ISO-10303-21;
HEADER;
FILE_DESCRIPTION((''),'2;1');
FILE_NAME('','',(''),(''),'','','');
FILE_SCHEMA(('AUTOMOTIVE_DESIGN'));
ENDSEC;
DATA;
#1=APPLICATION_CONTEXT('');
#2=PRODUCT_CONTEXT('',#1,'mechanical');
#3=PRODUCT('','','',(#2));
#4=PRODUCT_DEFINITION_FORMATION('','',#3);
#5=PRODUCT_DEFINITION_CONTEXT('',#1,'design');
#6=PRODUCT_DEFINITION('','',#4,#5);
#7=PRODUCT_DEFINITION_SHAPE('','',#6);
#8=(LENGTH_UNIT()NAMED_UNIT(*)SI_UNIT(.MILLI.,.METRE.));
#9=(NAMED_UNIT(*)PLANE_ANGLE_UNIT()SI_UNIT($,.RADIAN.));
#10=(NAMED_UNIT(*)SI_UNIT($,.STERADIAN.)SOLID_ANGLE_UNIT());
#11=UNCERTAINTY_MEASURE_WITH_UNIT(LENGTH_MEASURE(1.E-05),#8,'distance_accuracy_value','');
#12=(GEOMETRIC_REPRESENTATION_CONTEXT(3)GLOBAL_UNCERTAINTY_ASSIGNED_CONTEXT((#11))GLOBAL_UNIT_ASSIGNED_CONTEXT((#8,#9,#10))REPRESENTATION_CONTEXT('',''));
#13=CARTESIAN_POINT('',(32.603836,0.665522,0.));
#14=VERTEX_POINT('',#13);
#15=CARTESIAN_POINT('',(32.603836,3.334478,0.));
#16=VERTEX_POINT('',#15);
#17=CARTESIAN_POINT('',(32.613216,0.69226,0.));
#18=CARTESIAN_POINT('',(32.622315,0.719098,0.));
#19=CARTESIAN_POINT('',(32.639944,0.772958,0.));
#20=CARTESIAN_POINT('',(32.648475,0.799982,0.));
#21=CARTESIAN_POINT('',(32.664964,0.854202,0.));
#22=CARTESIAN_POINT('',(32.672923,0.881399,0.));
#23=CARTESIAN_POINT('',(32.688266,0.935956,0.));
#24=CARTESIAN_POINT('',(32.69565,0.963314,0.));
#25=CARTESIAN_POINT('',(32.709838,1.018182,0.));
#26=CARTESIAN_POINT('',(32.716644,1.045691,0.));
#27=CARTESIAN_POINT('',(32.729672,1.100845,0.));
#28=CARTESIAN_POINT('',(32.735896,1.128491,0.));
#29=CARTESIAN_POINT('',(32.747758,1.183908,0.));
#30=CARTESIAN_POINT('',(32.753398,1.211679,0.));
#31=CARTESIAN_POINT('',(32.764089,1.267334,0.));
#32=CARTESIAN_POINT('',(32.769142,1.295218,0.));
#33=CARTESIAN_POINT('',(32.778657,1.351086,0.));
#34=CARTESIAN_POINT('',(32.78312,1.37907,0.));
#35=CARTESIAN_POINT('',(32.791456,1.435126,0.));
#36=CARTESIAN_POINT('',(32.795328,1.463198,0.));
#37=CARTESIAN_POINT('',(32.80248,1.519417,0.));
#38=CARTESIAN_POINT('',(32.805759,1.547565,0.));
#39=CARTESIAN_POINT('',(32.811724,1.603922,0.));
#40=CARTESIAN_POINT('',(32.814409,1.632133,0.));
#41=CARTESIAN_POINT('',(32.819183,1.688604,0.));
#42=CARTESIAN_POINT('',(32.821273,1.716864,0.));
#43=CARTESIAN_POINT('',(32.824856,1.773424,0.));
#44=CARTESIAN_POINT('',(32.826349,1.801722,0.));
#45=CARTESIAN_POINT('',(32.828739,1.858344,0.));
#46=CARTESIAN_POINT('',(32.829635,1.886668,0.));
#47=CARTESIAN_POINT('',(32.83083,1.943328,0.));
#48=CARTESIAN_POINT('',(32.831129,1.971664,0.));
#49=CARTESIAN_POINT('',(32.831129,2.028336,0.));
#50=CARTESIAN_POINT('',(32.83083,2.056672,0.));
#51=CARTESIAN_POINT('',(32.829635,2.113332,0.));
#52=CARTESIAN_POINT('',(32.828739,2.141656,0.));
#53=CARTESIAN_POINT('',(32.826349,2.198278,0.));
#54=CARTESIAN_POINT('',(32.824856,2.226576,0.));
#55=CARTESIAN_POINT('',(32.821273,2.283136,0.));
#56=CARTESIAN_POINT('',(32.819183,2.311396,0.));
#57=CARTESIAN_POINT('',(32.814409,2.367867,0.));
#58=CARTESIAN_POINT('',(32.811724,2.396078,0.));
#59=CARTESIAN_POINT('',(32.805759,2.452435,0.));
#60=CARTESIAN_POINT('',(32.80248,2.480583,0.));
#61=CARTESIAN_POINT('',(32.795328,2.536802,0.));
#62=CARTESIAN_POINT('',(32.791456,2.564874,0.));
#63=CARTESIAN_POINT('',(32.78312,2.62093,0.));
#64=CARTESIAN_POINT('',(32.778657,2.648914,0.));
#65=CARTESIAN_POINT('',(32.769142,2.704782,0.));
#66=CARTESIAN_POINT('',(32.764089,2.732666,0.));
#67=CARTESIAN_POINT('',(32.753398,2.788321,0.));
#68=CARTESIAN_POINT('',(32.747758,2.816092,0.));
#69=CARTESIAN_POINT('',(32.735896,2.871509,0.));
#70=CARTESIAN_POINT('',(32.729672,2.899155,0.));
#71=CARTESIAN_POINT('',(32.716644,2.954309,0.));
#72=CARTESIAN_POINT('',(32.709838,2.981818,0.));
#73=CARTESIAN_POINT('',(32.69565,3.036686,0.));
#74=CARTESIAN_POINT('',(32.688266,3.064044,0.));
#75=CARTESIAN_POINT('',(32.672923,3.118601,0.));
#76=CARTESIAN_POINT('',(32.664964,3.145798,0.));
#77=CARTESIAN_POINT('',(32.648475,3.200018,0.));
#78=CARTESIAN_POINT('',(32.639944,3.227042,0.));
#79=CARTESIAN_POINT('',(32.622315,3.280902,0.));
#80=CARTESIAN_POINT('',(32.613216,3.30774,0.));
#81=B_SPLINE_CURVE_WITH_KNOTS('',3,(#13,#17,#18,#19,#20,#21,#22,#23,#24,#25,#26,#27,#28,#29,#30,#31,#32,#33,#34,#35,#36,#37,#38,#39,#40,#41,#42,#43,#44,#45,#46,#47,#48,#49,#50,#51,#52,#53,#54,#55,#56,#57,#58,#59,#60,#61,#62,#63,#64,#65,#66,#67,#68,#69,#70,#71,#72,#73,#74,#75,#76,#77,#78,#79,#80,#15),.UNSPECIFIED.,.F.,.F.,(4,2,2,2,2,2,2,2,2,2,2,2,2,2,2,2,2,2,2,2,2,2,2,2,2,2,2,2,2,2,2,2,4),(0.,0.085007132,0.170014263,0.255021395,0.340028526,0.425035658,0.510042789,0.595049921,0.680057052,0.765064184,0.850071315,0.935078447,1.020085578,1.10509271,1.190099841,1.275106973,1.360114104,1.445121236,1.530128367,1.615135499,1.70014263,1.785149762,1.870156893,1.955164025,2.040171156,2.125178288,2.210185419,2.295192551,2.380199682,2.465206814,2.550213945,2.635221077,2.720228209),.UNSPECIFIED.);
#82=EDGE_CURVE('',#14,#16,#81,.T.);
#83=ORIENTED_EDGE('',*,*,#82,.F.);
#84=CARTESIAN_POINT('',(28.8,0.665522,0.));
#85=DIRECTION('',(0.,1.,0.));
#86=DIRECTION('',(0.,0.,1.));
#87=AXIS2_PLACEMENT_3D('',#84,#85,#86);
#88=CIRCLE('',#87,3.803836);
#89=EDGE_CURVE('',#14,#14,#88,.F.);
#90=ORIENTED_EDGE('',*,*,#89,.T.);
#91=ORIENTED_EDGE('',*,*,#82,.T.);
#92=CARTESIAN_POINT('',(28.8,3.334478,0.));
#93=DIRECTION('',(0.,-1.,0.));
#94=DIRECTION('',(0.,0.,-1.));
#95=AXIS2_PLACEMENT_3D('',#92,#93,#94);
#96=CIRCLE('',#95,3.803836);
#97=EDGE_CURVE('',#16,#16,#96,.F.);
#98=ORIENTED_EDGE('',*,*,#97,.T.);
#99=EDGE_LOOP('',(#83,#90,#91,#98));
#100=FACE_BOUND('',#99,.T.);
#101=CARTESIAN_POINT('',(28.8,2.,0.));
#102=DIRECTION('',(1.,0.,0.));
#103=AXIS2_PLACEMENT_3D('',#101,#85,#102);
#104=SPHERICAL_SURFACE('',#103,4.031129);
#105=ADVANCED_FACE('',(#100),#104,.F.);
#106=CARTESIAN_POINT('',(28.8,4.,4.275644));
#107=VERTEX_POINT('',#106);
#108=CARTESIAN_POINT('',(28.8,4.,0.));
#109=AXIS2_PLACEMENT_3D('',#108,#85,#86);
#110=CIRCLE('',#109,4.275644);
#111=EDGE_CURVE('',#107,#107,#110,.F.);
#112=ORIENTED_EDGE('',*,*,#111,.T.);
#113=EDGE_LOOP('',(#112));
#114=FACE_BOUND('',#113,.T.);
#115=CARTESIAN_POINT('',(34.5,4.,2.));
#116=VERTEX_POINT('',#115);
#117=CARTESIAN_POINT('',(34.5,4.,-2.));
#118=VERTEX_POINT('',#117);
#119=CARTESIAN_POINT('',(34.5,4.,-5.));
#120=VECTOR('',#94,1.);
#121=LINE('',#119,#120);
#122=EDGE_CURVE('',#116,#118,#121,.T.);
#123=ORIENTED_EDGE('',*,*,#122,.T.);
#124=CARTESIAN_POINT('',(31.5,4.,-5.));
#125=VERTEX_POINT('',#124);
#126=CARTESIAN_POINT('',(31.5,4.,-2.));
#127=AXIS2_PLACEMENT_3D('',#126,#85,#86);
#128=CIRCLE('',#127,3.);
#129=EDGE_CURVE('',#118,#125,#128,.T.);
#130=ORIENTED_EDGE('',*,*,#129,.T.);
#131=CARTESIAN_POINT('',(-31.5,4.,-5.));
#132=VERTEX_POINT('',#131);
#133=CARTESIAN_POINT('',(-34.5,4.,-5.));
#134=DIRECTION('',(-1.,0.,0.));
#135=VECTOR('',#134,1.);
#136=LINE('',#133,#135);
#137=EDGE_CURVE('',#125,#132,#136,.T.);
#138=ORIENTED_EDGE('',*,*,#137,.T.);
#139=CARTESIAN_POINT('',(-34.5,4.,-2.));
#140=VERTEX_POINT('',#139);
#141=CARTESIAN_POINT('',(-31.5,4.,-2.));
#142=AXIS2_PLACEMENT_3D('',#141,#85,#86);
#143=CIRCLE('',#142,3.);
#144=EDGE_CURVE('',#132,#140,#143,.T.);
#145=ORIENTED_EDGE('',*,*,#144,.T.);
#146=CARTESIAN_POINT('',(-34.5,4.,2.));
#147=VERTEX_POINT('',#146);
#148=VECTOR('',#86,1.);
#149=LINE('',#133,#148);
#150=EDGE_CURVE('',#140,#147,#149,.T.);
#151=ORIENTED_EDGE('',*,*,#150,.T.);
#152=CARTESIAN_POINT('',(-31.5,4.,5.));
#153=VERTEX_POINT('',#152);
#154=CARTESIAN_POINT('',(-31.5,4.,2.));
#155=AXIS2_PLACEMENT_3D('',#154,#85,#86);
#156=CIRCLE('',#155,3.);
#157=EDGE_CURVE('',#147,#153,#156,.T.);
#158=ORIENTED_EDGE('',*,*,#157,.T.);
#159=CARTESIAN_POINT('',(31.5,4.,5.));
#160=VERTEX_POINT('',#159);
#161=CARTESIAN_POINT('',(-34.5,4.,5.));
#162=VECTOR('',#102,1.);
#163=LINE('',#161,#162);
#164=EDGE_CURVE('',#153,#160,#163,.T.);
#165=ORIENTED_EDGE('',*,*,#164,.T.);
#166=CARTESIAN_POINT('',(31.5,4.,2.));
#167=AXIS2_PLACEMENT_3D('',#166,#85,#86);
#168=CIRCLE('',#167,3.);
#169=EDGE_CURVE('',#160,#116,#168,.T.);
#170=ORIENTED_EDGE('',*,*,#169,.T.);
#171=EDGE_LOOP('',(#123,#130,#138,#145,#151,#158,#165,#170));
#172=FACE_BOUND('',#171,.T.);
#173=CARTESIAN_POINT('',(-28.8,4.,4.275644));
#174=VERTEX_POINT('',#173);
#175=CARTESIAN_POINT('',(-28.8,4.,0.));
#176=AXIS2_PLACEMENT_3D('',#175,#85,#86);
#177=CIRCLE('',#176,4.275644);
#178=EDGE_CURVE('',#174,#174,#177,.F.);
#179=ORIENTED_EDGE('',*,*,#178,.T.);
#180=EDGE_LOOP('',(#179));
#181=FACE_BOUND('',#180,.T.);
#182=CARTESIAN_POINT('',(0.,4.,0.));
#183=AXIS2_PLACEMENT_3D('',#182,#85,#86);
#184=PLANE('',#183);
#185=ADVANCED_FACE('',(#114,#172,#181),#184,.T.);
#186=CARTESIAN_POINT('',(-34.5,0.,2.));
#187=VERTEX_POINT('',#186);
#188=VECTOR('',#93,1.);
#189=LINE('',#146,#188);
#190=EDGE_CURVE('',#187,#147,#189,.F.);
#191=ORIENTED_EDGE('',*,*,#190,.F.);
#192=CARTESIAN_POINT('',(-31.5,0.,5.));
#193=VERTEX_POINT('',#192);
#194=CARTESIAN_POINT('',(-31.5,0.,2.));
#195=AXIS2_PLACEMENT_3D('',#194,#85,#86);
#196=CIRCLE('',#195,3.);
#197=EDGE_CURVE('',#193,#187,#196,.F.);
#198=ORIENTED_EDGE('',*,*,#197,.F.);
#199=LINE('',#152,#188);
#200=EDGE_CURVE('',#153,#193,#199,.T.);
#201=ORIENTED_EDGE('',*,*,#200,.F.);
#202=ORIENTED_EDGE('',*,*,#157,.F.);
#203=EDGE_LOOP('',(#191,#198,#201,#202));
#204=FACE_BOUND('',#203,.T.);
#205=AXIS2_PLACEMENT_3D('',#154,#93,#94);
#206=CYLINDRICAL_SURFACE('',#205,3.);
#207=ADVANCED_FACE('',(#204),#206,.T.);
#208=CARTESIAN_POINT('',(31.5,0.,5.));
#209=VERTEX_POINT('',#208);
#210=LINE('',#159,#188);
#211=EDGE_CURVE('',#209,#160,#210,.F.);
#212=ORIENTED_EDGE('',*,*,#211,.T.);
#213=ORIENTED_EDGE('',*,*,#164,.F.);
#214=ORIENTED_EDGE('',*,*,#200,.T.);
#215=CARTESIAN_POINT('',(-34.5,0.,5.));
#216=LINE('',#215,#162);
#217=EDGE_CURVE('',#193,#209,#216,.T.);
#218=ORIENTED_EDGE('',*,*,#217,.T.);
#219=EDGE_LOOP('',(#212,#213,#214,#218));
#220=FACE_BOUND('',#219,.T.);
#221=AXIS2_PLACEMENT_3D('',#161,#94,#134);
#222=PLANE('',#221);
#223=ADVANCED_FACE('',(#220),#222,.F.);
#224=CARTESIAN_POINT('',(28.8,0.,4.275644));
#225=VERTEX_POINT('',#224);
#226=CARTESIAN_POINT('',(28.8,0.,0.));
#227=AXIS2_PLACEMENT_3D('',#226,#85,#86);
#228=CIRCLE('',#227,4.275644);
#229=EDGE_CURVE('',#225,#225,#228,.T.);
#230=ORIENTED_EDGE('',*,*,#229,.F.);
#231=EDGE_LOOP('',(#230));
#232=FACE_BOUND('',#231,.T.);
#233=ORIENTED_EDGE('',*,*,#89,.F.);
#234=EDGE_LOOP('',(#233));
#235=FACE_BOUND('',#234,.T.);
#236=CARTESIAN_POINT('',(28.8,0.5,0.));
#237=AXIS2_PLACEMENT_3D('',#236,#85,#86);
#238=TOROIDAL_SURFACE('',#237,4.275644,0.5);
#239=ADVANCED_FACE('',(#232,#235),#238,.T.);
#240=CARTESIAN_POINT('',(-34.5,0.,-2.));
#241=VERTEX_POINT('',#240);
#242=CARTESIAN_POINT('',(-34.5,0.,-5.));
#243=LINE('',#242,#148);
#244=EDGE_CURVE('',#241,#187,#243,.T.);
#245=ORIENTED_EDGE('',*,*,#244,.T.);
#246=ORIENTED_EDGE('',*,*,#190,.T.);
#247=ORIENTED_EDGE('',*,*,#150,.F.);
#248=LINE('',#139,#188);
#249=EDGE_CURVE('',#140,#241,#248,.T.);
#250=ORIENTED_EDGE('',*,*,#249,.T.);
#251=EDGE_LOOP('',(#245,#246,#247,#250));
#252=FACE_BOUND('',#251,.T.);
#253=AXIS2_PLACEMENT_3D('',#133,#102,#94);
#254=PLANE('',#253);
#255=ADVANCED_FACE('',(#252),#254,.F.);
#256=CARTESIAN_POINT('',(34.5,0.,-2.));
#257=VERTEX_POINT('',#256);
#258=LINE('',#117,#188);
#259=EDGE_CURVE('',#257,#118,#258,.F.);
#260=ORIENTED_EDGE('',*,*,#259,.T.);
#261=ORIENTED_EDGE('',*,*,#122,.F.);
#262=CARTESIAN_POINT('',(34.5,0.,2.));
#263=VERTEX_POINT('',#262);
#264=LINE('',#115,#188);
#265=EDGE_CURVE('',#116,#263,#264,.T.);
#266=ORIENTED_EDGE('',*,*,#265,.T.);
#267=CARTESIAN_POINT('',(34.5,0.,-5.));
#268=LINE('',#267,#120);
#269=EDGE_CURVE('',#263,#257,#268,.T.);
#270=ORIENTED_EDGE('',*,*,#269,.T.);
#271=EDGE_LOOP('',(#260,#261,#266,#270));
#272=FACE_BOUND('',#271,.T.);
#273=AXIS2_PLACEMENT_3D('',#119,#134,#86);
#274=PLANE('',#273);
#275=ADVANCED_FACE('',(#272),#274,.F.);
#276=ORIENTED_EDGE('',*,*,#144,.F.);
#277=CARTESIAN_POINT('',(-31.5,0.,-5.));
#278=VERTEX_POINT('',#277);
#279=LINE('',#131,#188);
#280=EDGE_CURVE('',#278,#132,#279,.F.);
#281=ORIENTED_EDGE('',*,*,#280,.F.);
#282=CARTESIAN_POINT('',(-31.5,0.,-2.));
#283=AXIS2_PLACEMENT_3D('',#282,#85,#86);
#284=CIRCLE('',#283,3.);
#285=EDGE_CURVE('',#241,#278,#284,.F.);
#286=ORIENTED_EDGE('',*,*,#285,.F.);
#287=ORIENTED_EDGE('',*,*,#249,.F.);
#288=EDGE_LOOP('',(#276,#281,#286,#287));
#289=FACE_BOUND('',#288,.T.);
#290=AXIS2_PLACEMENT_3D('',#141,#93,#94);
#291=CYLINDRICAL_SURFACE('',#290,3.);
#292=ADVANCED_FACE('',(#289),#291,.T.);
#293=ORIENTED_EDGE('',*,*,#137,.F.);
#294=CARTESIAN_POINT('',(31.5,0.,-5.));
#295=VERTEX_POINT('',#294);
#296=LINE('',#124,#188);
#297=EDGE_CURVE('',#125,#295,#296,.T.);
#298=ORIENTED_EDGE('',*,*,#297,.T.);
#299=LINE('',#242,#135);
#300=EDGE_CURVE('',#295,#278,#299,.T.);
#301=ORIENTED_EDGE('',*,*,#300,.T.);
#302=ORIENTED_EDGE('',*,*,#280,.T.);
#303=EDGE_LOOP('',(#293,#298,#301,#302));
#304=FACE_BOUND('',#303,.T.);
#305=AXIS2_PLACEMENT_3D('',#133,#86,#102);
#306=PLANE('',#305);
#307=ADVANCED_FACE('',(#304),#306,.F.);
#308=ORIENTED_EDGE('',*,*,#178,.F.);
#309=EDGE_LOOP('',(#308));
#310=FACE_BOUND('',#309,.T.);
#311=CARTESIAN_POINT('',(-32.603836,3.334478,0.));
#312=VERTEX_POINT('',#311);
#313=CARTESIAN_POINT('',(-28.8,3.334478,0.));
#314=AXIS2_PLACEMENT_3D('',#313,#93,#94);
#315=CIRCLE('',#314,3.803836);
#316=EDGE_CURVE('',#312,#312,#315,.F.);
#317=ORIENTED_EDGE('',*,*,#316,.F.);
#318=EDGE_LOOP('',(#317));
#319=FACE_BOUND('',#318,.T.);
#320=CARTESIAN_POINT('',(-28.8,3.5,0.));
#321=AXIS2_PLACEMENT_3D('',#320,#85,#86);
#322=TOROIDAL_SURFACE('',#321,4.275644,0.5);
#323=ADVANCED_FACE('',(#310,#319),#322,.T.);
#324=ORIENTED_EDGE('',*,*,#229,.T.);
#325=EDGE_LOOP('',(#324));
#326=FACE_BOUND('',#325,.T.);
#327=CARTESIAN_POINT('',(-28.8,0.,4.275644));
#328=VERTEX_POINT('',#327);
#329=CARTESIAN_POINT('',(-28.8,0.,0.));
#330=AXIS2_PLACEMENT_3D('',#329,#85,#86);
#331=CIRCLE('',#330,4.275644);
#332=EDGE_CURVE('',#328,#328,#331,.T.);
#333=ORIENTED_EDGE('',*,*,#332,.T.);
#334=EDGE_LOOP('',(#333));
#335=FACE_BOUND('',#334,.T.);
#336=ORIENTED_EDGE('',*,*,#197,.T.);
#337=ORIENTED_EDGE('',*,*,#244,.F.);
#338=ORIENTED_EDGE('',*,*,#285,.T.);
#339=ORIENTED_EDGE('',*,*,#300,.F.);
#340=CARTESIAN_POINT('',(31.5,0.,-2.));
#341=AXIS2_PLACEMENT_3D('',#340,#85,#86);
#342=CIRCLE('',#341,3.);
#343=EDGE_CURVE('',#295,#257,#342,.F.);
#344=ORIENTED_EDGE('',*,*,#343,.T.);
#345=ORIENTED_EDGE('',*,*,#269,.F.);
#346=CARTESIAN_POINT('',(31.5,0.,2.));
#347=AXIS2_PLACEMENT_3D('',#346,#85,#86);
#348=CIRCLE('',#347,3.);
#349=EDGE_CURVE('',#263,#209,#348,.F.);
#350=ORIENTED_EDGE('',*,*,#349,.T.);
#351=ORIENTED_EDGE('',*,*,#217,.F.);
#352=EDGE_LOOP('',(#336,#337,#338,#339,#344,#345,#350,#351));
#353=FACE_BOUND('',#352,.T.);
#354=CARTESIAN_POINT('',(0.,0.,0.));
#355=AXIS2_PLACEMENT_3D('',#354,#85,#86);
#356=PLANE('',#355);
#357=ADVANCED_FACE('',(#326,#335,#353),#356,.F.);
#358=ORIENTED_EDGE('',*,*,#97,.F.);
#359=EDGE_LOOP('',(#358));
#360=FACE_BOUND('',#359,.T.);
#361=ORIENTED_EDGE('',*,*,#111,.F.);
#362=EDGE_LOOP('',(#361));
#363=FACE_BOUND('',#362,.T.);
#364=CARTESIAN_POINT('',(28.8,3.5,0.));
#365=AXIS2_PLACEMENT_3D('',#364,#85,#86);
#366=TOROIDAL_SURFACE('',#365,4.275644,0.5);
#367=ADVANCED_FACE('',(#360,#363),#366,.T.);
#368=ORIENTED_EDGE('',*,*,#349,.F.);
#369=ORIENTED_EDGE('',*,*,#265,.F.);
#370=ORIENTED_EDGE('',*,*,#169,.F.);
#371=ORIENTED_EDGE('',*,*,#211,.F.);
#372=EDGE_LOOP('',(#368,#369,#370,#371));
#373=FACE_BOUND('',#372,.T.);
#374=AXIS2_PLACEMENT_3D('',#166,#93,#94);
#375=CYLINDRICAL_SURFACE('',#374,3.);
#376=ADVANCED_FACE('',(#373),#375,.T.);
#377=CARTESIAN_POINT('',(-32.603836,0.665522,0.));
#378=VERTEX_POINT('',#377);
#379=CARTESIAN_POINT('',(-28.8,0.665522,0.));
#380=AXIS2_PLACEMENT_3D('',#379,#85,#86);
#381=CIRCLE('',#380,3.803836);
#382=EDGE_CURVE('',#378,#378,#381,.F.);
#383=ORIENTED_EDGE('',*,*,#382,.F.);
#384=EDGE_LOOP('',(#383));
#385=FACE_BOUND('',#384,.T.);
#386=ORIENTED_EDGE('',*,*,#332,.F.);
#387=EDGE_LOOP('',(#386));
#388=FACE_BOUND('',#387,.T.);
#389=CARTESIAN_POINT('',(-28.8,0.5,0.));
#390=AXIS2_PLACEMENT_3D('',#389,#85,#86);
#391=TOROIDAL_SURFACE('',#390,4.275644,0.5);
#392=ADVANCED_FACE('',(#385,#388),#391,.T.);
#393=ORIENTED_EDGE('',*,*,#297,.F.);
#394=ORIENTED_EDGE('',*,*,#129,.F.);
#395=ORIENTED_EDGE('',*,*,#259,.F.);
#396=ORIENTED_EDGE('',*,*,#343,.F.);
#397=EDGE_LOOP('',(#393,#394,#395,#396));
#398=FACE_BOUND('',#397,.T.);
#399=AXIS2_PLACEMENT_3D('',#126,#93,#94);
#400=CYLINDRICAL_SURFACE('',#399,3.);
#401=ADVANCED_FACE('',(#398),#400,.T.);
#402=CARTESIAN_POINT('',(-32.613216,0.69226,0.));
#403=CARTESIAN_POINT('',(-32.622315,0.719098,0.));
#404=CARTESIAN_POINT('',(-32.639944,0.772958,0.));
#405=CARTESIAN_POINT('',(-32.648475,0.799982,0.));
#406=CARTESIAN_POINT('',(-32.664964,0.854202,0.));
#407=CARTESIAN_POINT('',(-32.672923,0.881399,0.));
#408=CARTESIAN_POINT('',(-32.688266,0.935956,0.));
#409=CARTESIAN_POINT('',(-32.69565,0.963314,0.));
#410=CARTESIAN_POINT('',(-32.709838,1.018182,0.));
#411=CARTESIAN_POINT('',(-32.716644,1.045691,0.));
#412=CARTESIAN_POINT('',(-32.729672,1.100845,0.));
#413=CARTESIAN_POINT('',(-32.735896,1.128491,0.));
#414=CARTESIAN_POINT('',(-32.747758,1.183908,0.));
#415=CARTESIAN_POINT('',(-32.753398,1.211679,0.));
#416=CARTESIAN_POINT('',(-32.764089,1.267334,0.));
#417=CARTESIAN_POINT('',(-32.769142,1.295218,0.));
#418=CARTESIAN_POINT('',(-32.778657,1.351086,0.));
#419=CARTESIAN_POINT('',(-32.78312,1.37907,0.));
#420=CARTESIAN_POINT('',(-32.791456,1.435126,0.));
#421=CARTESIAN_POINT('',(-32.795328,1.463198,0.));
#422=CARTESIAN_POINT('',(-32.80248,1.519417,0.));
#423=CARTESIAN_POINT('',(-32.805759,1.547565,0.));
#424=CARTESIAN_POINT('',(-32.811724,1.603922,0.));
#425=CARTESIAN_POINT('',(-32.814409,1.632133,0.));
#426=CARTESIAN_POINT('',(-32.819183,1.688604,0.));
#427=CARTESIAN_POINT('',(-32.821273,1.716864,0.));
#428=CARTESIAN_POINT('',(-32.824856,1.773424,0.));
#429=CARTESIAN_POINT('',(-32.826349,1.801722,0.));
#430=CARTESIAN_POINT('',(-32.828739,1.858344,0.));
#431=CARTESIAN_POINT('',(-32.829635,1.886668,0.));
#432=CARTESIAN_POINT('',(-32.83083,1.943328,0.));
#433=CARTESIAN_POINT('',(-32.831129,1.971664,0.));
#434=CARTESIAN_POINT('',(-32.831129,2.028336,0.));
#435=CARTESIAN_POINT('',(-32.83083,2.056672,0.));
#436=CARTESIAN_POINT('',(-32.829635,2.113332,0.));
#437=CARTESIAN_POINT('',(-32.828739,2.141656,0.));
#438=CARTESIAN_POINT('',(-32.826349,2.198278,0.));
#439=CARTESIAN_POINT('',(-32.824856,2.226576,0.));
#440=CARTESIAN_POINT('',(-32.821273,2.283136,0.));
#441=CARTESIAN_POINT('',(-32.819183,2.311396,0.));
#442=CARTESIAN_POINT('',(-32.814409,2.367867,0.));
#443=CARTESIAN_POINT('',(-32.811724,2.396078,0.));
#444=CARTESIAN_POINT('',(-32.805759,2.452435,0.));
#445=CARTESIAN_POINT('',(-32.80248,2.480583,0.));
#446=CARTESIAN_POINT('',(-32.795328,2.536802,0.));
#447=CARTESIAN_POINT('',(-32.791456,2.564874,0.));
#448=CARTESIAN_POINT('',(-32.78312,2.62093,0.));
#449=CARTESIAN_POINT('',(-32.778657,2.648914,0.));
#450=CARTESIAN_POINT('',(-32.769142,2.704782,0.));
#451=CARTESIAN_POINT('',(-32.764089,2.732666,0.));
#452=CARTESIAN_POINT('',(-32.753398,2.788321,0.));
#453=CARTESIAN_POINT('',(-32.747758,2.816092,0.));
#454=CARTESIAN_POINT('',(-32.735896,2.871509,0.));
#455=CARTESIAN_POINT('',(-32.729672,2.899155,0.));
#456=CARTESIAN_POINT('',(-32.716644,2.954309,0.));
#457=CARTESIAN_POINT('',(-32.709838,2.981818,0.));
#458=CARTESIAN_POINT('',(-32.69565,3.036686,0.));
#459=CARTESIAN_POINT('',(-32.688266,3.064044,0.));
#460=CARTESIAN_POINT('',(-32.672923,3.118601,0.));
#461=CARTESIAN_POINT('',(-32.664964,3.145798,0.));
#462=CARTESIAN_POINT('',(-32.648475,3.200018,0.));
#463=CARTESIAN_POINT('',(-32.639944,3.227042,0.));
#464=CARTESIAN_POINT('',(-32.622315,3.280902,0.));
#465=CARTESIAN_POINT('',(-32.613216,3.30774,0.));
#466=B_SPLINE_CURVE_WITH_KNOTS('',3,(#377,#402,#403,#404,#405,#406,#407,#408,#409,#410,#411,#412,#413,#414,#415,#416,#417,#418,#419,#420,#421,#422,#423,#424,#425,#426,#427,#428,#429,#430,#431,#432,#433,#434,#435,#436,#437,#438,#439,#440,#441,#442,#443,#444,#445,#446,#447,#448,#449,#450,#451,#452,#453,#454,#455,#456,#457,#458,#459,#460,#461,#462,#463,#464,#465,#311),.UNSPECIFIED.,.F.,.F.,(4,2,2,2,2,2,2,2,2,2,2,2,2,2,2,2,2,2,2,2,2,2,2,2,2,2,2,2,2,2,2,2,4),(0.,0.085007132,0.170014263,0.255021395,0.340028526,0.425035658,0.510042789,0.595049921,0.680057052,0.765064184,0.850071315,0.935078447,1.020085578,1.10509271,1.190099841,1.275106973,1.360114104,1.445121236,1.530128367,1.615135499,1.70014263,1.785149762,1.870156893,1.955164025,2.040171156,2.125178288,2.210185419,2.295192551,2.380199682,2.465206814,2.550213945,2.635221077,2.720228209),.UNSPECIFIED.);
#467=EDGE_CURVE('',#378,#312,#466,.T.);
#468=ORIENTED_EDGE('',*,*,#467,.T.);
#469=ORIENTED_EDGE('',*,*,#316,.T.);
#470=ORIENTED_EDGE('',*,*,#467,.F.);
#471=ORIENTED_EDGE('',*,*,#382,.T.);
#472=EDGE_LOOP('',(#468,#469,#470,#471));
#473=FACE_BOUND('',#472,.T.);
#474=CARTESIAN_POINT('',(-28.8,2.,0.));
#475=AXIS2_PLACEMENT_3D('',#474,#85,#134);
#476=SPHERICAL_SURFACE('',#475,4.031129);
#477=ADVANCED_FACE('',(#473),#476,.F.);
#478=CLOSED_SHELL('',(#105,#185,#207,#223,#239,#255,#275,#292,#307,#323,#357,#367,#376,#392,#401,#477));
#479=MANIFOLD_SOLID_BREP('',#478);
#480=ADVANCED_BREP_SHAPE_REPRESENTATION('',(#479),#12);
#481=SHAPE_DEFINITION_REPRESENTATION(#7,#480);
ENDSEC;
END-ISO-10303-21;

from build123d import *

# Parameters (mm, degrees)
SKETCH1_W           = 69
SKETCH1_H           = 10
BOSS_EXTRUDE1_DEPTH = 4
FILLET1_R           = 3
FILLET2_R           = 0.5


with BuildPart() as part:
    # Sketch1 → Boss-Extrude1 (new body)
    with BuildSketch(Plane(origin=(0, 0, 0), x_dir=(1, 0, 0), z_dir=(0, 1, 0))):
        Rectangle(SKETCH1_W, SKETCH1_H)
    extrude(amount=BOSS_EXTRUDE1_DEPTH)

    # Sketch2 → Cut-Revolve2 (revolve, cut)
    with BuildSketch(Plane.XY):
        with BuildLine():
            Line((-28.8, 4), (-28.8, 0))
            Line((-28.8, 0), (-32.3, 0))
            ThreePointArc((-32.3, 0), (-32.831128874, 2), (-32.3, 4))
            Line((-32.3, 4), (-28.8, 4))
        make_face()
    cut_revolve2 = revolve(axis=Axis((-28.8, 4, 0), (0, -1, 0)), mode=Mode.SUBTRACT)

    # Fillet1
    fillet1_edges = [part.edges().sort_by_distance(p)[0] for p in [
        (34.5, 2, 5),
        (-34.5, 2, 5),
        (-34.5, 2, -5),
        (34.5, 2, -5),
    ]]
    fillet(fillet1_edges, radius=FILLET1_R)

    # Mirror1: Cut-Revolve2 across plane
    add(cut_revolve2.mirror(Plane(origin=(0, 0, 0), x_dir=(0, 0, 1), z_dir=(1, 0, 0))), mode=Mode.SUBTRACT)

    # Fillet2
    fillet2_edges = [part.edges().sort_by_distance(p)[0] for p in [
        (-25.3, 4, 0),
        (-25.3, 0, 0),
        (25.3, 4, 0),
        (25.3, 0, 0),
    ]]
    fillet(fillet2_edges, radius=FILLET2_R)


solid = part.part
